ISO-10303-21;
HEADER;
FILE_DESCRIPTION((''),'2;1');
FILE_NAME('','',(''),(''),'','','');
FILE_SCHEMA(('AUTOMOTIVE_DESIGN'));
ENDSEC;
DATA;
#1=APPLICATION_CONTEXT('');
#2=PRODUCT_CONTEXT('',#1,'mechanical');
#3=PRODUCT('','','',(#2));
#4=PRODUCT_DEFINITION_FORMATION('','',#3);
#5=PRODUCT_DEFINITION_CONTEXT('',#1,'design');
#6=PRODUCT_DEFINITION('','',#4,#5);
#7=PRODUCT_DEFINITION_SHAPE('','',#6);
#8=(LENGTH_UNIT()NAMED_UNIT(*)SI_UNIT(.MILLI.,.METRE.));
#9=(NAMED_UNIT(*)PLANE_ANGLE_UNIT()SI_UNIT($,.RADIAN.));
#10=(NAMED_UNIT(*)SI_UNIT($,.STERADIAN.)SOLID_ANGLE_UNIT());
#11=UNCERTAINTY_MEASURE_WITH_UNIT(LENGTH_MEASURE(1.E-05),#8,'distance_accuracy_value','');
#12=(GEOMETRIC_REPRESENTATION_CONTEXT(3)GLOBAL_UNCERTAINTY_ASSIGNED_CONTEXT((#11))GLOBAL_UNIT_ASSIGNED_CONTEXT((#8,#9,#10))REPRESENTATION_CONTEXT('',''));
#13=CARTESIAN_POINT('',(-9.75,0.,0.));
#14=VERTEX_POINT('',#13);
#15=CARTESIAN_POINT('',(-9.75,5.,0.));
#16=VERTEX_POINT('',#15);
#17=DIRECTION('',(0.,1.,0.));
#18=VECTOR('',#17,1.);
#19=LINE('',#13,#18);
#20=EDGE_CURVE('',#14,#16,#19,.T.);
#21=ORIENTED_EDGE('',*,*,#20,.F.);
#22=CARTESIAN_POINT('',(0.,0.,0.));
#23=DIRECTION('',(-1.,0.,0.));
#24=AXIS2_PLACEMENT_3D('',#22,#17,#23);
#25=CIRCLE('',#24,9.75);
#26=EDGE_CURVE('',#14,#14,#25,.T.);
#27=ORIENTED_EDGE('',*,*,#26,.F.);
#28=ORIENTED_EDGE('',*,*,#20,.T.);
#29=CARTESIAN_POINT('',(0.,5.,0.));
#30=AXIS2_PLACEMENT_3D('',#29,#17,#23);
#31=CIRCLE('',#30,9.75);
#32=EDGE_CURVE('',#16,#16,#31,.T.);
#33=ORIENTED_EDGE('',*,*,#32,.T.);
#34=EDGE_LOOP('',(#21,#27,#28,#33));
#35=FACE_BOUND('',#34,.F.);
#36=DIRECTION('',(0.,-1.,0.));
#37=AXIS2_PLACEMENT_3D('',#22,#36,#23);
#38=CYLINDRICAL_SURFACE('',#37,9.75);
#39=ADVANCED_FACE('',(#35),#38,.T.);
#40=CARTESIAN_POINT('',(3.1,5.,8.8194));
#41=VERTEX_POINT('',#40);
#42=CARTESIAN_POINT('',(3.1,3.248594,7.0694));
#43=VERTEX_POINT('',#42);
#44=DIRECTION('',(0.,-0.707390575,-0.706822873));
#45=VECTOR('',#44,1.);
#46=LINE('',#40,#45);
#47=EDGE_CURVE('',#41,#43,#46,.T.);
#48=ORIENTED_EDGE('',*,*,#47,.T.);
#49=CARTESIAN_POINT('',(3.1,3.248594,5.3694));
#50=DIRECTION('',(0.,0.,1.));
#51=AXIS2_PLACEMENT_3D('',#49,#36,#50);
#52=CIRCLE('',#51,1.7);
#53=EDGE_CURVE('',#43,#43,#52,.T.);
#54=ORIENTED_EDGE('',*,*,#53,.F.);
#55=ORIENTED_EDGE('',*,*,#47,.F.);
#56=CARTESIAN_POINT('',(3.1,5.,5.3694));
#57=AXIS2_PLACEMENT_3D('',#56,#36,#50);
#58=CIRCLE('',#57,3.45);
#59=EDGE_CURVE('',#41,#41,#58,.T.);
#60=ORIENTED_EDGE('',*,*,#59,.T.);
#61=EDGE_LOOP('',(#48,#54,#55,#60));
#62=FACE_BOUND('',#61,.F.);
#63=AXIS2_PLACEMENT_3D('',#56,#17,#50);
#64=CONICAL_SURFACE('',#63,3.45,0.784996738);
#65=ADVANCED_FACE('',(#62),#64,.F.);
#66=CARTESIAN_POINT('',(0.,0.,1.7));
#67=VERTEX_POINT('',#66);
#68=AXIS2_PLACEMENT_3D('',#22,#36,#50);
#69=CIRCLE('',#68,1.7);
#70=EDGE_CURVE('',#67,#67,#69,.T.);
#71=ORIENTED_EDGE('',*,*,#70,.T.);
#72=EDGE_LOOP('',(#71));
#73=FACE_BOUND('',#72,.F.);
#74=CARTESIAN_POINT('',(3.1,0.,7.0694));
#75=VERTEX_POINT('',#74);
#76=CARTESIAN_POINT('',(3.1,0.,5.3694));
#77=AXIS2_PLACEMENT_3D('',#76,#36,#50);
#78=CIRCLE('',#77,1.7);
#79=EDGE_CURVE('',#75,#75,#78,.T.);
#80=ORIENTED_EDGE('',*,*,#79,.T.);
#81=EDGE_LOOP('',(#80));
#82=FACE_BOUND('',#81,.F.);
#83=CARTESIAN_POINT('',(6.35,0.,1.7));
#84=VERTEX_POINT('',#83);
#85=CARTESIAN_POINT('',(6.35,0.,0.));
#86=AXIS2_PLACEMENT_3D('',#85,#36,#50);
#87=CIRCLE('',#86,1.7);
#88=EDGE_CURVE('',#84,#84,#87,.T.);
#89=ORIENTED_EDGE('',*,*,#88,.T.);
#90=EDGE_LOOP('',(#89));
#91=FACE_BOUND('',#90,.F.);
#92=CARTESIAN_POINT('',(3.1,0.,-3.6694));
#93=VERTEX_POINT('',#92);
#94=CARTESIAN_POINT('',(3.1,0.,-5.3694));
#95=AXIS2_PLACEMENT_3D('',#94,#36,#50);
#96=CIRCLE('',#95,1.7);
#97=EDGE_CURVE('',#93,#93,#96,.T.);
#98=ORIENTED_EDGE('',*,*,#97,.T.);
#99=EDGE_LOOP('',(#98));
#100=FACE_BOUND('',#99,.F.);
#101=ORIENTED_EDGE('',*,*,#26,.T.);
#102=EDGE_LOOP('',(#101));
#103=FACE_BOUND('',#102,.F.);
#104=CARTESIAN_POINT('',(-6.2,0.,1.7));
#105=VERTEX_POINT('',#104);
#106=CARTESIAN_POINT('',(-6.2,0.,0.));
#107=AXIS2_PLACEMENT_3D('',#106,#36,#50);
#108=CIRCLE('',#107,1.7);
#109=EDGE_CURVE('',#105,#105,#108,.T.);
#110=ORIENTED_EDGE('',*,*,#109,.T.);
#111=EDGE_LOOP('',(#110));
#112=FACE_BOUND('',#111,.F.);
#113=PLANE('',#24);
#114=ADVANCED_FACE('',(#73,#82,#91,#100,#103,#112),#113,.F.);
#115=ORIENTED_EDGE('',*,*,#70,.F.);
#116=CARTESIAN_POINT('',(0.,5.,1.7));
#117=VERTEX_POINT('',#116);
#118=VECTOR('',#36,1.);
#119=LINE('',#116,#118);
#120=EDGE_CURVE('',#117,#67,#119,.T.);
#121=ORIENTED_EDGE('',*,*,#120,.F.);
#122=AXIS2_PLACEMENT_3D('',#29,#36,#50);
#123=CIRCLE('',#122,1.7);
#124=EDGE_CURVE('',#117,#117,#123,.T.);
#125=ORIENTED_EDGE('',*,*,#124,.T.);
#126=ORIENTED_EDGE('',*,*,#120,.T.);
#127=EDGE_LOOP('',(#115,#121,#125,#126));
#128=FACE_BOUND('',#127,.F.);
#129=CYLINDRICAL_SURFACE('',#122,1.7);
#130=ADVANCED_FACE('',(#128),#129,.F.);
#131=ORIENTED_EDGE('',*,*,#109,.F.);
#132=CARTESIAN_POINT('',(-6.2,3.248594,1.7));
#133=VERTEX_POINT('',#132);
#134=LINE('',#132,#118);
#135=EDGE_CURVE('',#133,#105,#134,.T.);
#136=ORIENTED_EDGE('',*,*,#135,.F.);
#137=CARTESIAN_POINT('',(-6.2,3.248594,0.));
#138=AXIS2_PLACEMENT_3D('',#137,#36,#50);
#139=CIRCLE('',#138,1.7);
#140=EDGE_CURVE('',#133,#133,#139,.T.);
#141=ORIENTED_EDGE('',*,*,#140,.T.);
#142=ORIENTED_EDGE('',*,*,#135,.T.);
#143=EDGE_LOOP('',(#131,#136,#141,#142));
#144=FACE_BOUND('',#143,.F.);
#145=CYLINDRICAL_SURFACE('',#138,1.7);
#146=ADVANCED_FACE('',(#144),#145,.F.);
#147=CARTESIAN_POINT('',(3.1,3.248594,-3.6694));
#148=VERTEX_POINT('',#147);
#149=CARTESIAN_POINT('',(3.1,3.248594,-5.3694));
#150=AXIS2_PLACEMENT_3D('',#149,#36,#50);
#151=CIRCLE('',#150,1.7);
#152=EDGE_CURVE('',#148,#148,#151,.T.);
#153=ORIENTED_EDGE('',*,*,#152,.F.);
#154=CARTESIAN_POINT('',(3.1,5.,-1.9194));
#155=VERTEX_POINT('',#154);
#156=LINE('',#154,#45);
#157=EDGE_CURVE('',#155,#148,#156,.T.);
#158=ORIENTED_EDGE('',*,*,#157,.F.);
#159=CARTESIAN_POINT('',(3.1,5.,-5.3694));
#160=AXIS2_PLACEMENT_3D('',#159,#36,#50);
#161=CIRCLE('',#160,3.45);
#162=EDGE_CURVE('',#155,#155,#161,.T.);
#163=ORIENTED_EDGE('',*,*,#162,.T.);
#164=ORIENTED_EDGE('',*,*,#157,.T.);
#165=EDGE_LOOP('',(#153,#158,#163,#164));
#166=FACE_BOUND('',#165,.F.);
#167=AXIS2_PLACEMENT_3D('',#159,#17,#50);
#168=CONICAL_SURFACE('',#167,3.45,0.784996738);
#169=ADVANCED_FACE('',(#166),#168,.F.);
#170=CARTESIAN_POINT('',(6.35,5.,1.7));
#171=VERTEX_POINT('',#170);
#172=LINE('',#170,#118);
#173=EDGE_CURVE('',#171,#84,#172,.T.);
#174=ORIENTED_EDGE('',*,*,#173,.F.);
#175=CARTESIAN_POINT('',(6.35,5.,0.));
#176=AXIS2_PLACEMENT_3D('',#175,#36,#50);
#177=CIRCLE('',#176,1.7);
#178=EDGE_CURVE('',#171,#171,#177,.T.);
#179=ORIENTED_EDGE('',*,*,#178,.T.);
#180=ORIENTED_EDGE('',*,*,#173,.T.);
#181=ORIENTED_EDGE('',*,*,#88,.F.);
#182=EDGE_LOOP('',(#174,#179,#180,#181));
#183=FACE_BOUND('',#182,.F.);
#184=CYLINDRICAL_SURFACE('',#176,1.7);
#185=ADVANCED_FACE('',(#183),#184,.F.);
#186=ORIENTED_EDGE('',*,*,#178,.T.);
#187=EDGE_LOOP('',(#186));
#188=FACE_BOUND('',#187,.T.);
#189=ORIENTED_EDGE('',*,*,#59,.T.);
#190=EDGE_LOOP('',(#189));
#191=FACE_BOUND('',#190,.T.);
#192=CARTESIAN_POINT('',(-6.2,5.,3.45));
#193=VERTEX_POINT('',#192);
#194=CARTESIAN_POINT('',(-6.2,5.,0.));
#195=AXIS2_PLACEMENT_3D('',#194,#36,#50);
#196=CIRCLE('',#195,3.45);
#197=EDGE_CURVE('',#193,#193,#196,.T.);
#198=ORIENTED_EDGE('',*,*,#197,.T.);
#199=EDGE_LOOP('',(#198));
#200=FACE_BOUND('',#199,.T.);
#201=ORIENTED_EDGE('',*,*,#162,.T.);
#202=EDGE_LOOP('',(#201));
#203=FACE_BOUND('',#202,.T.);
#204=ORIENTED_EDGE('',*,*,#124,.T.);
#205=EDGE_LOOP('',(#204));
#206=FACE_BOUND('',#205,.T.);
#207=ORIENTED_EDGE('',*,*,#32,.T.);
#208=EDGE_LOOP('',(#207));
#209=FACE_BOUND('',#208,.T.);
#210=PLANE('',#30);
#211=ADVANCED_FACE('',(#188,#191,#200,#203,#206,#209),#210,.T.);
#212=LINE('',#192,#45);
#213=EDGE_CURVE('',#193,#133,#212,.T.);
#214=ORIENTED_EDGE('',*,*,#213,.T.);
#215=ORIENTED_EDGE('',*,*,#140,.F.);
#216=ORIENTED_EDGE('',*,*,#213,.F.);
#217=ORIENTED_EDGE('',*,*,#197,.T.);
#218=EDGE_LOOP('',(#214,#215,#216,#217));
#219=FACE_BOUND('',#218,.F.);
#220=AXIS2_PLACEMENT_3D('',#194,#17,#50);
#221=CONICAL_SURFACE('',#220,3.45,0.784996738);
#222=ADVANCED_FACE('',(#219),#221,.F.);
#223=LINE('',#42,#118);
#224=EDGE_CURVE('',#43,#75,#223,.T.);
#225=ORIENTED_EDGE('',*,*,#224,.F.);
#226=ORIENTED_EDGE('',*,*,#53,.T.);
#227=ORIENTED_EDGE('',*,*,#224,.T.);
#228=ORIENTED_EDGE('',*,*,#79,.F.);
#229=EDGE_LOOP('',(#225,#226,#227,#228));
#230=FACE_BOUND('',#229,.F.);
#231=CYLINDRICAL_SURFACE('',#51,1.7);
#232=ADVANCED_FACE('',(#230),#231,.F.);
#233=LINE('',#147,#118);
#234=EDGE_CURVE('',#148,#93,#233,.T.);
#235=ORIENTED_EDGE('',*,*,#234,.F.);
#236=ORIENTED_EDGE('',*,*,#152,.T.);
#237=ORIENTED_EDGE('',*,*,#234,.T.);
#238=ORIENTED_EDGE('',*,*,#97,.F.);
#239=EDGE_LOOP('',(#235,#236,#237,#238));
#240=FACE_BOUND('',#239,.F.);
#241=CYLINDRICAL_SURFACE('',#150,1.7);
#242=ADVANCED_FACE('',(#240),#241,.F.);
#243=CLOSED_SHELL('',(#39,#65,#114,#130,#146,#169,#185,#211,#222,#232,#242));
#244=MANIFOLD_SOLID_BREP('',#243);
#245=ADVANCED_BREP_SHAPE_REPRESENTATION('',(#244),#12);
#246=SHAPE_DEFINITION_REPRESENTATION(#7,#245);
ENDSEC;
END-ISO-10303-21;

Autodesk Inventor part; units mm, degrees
ref_plane "YZ Plane" through (0, 0, 0) normal (1, 0, 0) x (0, 1, 0)
ref_plane "XZ Plane" through (0, 0, 0) normal (0, 1, 0) x (-1, 0, 0)
ref_plane "XY Plane" through (0, 0, 0) normal (0, 0, 1) x (1, 0, 0)
sketch "Szkic1" plane through (0, 0, 0) normal (0, 1, 0) x (-1, 0, 0)
  circle A0 centre (0, 0) radius 9.75
  dimension "d0" = 19.5
extrude "Wyciągnięcie proste1" add sketch "Szkic1" along normal blind 5
sketch "Szkic2" plane through (0, 5, 0) normal (0, 1, 0) x (1, 0, 0)
  line L0 (0, 0) -> (-6.2, 0) construction
  line L1 (0, 0) -> (3.1, 5.3694) construction
  line L2 (0, 0) -> (3.1, -5.3694) construction
  dimension "d3" = 6.2
  dimension "d4" = 120
  dimension "d5" = 120
hole "Otwór1" at (-6.2, 5, 0) at (3.1, 5, -5.3694) at (3.1, 5, 5.3694) direction (0, -1, 0) diameter 3.4 end through all countersink diameter 6.9 countersink angle 89.954 clearance for "Śruba ze łbem stożkowym ISO 2009/7046" size "M3" standard "ISO"
sketch "Szkic3" plane through (0, 5, 0) normal (0, 1, 0) x (1, 0, 0)
  line L0 (0, 0) -> (6.35, 0)
  dimension "d13" = 6.35
hole "Otwór2" at (0, 5, 0) at (6.35, 5, 0) direction (0, -1, 0) diameter 3.4 end through all
properties part number "PrzejsciowkaDoFormy"
